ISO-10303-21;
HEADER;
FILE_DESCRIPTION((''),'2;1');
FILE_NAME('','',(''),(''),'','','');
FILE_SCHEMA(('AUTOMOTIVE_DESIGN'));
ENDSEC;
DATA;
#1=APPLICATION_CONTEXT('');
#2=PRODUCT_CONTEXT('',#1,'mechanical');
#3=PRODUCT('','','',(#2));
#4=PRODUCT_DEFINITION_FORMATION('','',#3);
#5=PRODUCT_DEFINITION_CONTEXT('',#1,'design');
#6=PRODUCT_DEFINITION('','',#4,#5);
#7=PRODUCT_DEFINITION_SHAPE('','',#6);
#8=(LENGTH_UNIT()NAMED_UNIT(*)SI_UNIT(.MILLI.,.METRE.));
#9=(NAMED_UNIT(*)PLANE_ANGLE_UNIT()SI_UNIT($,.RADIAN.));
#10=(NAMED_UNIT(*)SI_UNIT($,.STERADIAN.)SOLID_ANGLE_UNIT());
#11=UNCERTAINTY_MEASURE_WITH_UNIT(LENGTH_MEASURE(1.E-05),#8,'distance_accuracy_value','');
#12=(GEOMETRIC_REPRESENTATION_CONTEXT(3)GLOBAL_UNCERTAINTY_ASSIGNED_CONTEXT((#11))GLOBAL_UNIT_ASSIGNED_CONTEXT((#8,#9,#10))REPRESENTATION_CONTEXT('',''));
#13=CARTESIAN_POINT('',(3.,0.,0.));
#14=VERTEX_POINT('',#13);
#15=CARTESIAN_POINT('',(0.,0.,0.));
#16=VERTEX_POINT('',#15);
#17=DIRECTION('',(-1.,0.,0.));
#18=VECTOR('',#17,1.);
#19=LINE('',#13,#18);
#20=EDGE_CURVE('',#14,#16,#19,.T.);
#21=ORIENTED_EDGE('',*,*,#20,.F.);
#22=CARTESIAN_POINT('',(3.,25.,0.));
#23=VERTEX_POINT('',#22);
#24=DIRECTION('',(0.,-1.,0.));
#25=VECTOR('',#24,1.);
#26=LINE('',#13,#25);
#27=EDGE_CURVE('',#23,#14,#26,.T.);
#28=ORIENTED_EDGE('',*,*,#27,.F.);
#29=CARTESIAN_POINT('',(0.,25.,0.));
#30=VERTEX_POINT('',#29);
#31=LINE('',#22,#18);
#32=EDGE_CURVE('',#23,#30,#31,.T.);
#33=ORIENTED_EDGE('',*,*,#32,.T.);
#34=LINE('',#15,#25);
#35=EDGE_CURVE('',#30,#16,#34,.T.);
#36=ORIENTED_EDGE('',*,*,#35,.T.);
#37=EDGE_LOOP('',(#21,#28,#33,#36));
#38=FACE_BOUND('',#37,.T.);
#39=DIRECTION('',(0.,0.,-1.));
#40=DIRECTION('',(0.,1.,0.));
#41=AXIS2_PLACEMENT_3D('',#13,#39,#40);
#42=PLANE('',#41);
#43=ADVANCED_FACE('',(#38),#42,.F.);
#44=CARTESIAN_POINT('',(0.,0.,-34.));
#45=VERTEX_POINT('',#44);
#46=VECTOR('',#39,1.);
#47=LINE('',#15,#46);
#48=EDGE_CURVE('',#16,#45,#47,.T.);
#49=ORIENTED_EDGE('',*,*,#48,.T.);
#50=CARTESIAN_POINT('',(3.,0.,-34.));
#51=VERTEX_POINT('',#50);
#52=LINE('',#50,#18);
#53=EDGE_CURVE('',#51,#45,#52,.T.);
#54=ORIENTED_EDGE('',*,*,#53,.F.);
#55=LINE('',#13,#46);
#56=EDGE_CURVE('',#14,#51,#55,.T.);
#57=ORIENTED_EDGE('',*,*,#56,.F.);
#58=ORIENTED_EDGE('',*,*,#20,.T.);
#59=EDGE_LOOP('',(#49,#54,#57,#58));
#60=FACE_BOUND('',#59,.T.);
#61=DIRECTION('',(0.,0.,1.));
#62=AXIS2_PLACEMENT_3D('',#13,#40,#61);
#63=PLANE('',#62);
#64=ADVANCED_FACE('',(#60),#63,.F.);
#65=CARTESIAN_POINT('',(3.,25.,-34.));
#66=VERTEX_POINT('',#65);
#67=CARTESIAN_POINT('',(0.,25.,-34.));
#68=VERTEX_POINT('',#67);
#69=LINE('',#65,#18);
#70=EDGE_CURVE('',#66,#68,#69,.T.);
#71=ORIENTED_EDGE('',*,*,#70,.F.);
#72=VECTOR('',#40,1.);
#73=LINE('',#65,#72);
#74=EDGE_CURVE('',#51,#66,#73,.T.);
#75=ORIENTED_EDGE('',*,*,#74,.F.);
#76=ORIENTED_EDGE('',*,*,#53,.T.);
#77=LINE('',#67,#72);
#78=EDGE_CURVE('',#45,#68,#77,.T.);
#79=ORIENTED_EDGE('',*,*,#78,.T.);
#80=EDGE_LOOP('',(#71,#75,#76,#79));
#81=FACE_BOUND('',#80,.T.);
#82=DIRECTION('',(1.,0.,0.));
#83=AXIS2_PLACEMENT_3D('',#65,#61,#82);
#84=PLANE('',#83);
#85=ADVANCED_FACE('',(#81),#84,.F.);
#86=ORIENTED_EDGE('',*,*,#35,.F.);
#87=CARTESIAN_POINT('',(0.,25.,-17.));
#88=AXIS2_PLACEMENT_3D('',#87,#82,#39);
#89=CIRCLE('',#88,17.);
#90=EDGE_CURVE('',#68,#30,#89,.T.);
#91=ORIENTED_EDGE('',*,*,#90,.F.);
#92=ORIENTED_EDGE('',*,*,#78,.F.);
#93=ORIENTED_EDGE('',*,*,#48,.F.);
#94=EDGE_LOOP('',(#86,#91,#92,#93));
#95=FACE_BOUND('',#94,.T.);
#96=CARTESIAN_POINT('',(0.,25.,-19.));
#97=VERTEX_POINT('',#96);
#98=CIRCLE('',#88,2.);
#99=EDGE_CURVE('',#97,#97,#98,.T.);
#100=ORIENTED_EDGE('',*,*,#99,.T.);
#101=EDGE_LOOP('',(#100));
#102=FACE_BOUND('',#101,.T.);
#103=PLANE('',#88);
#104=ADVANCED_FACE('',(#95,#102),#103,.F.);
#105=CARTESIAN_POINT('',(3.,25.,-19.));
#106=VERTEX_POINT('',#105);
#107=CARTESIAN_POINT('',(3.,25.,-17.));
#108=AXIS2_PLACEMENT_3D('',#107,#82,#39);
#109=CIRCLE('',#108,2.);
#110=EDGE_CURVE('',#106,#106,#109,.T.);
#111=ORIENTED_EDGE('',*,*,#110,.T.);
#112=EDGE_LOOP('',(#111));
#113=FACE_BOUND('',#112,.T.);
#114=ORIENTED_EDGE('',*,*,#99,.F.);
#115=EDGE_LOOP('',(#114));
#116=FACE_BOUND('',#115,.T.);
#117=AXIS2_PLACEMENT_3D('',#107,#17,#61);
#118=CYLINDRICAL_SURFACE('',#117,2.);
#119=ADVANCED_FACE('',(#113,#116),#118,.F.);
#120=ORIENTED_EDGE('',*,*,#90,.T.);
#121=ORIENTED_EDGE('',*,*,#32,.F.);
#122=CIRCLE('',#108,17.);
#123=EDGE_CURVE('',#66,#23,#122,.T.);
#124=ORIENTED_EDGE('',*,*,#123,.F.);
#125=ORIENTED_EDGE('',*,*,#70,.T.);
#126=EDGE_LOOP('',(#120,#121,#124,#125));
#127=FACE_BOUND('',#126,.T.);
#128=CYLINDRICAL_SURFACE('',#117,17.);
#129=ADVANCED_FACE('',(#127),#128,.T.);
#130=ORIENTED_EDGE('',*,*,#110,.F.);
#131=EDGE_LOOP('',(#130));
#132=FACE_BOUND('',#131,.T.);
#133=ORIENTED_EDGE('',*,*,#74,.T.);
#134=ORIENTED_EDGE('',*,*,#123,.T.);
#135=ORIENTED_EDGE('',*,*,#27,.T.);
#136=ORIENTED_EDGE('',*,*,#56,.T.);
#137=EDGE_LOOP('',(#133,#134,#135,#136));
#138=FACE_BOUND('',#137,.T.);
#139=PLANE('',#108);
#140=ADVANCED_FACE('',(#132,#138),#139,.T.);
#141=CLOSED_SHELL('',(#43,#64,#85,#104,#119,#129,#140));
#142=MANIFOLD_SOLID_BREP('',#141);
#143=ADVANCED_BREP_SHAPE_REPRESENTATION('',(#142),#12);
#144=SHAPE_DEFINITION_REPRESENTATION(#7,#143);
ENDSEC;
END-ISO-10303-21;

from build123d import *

# Parameters (mm, degrees)
CROQUIS1_R              = 2
SALIENTE_EXTRUIR1_DEPTH = 3


with BuildPart() as part:
    # Croquis1 → Saliente-Extruir1 (new body)
    with BuildSketch(Plane(origin=(0, 0, 0), x_dir=(0, 0, -1), z_dir=(1, 0, 0))):
        with BuildLine():
            Line((0, 0), (34, 0))
            Line((34, 0), (34, 25))
            ThreePointArc((34, 25), (17, 42), (0, 25))
            Line((0, 25), (0, 0))
        make_face()
        with Locations((17, 25)):
            Circle(CROQUIS1_R, mode=Mode.SUBTRACT)
    extrude(amount=SALIENTE_EXTRUIR1_DEPTH)


solid = part.part
